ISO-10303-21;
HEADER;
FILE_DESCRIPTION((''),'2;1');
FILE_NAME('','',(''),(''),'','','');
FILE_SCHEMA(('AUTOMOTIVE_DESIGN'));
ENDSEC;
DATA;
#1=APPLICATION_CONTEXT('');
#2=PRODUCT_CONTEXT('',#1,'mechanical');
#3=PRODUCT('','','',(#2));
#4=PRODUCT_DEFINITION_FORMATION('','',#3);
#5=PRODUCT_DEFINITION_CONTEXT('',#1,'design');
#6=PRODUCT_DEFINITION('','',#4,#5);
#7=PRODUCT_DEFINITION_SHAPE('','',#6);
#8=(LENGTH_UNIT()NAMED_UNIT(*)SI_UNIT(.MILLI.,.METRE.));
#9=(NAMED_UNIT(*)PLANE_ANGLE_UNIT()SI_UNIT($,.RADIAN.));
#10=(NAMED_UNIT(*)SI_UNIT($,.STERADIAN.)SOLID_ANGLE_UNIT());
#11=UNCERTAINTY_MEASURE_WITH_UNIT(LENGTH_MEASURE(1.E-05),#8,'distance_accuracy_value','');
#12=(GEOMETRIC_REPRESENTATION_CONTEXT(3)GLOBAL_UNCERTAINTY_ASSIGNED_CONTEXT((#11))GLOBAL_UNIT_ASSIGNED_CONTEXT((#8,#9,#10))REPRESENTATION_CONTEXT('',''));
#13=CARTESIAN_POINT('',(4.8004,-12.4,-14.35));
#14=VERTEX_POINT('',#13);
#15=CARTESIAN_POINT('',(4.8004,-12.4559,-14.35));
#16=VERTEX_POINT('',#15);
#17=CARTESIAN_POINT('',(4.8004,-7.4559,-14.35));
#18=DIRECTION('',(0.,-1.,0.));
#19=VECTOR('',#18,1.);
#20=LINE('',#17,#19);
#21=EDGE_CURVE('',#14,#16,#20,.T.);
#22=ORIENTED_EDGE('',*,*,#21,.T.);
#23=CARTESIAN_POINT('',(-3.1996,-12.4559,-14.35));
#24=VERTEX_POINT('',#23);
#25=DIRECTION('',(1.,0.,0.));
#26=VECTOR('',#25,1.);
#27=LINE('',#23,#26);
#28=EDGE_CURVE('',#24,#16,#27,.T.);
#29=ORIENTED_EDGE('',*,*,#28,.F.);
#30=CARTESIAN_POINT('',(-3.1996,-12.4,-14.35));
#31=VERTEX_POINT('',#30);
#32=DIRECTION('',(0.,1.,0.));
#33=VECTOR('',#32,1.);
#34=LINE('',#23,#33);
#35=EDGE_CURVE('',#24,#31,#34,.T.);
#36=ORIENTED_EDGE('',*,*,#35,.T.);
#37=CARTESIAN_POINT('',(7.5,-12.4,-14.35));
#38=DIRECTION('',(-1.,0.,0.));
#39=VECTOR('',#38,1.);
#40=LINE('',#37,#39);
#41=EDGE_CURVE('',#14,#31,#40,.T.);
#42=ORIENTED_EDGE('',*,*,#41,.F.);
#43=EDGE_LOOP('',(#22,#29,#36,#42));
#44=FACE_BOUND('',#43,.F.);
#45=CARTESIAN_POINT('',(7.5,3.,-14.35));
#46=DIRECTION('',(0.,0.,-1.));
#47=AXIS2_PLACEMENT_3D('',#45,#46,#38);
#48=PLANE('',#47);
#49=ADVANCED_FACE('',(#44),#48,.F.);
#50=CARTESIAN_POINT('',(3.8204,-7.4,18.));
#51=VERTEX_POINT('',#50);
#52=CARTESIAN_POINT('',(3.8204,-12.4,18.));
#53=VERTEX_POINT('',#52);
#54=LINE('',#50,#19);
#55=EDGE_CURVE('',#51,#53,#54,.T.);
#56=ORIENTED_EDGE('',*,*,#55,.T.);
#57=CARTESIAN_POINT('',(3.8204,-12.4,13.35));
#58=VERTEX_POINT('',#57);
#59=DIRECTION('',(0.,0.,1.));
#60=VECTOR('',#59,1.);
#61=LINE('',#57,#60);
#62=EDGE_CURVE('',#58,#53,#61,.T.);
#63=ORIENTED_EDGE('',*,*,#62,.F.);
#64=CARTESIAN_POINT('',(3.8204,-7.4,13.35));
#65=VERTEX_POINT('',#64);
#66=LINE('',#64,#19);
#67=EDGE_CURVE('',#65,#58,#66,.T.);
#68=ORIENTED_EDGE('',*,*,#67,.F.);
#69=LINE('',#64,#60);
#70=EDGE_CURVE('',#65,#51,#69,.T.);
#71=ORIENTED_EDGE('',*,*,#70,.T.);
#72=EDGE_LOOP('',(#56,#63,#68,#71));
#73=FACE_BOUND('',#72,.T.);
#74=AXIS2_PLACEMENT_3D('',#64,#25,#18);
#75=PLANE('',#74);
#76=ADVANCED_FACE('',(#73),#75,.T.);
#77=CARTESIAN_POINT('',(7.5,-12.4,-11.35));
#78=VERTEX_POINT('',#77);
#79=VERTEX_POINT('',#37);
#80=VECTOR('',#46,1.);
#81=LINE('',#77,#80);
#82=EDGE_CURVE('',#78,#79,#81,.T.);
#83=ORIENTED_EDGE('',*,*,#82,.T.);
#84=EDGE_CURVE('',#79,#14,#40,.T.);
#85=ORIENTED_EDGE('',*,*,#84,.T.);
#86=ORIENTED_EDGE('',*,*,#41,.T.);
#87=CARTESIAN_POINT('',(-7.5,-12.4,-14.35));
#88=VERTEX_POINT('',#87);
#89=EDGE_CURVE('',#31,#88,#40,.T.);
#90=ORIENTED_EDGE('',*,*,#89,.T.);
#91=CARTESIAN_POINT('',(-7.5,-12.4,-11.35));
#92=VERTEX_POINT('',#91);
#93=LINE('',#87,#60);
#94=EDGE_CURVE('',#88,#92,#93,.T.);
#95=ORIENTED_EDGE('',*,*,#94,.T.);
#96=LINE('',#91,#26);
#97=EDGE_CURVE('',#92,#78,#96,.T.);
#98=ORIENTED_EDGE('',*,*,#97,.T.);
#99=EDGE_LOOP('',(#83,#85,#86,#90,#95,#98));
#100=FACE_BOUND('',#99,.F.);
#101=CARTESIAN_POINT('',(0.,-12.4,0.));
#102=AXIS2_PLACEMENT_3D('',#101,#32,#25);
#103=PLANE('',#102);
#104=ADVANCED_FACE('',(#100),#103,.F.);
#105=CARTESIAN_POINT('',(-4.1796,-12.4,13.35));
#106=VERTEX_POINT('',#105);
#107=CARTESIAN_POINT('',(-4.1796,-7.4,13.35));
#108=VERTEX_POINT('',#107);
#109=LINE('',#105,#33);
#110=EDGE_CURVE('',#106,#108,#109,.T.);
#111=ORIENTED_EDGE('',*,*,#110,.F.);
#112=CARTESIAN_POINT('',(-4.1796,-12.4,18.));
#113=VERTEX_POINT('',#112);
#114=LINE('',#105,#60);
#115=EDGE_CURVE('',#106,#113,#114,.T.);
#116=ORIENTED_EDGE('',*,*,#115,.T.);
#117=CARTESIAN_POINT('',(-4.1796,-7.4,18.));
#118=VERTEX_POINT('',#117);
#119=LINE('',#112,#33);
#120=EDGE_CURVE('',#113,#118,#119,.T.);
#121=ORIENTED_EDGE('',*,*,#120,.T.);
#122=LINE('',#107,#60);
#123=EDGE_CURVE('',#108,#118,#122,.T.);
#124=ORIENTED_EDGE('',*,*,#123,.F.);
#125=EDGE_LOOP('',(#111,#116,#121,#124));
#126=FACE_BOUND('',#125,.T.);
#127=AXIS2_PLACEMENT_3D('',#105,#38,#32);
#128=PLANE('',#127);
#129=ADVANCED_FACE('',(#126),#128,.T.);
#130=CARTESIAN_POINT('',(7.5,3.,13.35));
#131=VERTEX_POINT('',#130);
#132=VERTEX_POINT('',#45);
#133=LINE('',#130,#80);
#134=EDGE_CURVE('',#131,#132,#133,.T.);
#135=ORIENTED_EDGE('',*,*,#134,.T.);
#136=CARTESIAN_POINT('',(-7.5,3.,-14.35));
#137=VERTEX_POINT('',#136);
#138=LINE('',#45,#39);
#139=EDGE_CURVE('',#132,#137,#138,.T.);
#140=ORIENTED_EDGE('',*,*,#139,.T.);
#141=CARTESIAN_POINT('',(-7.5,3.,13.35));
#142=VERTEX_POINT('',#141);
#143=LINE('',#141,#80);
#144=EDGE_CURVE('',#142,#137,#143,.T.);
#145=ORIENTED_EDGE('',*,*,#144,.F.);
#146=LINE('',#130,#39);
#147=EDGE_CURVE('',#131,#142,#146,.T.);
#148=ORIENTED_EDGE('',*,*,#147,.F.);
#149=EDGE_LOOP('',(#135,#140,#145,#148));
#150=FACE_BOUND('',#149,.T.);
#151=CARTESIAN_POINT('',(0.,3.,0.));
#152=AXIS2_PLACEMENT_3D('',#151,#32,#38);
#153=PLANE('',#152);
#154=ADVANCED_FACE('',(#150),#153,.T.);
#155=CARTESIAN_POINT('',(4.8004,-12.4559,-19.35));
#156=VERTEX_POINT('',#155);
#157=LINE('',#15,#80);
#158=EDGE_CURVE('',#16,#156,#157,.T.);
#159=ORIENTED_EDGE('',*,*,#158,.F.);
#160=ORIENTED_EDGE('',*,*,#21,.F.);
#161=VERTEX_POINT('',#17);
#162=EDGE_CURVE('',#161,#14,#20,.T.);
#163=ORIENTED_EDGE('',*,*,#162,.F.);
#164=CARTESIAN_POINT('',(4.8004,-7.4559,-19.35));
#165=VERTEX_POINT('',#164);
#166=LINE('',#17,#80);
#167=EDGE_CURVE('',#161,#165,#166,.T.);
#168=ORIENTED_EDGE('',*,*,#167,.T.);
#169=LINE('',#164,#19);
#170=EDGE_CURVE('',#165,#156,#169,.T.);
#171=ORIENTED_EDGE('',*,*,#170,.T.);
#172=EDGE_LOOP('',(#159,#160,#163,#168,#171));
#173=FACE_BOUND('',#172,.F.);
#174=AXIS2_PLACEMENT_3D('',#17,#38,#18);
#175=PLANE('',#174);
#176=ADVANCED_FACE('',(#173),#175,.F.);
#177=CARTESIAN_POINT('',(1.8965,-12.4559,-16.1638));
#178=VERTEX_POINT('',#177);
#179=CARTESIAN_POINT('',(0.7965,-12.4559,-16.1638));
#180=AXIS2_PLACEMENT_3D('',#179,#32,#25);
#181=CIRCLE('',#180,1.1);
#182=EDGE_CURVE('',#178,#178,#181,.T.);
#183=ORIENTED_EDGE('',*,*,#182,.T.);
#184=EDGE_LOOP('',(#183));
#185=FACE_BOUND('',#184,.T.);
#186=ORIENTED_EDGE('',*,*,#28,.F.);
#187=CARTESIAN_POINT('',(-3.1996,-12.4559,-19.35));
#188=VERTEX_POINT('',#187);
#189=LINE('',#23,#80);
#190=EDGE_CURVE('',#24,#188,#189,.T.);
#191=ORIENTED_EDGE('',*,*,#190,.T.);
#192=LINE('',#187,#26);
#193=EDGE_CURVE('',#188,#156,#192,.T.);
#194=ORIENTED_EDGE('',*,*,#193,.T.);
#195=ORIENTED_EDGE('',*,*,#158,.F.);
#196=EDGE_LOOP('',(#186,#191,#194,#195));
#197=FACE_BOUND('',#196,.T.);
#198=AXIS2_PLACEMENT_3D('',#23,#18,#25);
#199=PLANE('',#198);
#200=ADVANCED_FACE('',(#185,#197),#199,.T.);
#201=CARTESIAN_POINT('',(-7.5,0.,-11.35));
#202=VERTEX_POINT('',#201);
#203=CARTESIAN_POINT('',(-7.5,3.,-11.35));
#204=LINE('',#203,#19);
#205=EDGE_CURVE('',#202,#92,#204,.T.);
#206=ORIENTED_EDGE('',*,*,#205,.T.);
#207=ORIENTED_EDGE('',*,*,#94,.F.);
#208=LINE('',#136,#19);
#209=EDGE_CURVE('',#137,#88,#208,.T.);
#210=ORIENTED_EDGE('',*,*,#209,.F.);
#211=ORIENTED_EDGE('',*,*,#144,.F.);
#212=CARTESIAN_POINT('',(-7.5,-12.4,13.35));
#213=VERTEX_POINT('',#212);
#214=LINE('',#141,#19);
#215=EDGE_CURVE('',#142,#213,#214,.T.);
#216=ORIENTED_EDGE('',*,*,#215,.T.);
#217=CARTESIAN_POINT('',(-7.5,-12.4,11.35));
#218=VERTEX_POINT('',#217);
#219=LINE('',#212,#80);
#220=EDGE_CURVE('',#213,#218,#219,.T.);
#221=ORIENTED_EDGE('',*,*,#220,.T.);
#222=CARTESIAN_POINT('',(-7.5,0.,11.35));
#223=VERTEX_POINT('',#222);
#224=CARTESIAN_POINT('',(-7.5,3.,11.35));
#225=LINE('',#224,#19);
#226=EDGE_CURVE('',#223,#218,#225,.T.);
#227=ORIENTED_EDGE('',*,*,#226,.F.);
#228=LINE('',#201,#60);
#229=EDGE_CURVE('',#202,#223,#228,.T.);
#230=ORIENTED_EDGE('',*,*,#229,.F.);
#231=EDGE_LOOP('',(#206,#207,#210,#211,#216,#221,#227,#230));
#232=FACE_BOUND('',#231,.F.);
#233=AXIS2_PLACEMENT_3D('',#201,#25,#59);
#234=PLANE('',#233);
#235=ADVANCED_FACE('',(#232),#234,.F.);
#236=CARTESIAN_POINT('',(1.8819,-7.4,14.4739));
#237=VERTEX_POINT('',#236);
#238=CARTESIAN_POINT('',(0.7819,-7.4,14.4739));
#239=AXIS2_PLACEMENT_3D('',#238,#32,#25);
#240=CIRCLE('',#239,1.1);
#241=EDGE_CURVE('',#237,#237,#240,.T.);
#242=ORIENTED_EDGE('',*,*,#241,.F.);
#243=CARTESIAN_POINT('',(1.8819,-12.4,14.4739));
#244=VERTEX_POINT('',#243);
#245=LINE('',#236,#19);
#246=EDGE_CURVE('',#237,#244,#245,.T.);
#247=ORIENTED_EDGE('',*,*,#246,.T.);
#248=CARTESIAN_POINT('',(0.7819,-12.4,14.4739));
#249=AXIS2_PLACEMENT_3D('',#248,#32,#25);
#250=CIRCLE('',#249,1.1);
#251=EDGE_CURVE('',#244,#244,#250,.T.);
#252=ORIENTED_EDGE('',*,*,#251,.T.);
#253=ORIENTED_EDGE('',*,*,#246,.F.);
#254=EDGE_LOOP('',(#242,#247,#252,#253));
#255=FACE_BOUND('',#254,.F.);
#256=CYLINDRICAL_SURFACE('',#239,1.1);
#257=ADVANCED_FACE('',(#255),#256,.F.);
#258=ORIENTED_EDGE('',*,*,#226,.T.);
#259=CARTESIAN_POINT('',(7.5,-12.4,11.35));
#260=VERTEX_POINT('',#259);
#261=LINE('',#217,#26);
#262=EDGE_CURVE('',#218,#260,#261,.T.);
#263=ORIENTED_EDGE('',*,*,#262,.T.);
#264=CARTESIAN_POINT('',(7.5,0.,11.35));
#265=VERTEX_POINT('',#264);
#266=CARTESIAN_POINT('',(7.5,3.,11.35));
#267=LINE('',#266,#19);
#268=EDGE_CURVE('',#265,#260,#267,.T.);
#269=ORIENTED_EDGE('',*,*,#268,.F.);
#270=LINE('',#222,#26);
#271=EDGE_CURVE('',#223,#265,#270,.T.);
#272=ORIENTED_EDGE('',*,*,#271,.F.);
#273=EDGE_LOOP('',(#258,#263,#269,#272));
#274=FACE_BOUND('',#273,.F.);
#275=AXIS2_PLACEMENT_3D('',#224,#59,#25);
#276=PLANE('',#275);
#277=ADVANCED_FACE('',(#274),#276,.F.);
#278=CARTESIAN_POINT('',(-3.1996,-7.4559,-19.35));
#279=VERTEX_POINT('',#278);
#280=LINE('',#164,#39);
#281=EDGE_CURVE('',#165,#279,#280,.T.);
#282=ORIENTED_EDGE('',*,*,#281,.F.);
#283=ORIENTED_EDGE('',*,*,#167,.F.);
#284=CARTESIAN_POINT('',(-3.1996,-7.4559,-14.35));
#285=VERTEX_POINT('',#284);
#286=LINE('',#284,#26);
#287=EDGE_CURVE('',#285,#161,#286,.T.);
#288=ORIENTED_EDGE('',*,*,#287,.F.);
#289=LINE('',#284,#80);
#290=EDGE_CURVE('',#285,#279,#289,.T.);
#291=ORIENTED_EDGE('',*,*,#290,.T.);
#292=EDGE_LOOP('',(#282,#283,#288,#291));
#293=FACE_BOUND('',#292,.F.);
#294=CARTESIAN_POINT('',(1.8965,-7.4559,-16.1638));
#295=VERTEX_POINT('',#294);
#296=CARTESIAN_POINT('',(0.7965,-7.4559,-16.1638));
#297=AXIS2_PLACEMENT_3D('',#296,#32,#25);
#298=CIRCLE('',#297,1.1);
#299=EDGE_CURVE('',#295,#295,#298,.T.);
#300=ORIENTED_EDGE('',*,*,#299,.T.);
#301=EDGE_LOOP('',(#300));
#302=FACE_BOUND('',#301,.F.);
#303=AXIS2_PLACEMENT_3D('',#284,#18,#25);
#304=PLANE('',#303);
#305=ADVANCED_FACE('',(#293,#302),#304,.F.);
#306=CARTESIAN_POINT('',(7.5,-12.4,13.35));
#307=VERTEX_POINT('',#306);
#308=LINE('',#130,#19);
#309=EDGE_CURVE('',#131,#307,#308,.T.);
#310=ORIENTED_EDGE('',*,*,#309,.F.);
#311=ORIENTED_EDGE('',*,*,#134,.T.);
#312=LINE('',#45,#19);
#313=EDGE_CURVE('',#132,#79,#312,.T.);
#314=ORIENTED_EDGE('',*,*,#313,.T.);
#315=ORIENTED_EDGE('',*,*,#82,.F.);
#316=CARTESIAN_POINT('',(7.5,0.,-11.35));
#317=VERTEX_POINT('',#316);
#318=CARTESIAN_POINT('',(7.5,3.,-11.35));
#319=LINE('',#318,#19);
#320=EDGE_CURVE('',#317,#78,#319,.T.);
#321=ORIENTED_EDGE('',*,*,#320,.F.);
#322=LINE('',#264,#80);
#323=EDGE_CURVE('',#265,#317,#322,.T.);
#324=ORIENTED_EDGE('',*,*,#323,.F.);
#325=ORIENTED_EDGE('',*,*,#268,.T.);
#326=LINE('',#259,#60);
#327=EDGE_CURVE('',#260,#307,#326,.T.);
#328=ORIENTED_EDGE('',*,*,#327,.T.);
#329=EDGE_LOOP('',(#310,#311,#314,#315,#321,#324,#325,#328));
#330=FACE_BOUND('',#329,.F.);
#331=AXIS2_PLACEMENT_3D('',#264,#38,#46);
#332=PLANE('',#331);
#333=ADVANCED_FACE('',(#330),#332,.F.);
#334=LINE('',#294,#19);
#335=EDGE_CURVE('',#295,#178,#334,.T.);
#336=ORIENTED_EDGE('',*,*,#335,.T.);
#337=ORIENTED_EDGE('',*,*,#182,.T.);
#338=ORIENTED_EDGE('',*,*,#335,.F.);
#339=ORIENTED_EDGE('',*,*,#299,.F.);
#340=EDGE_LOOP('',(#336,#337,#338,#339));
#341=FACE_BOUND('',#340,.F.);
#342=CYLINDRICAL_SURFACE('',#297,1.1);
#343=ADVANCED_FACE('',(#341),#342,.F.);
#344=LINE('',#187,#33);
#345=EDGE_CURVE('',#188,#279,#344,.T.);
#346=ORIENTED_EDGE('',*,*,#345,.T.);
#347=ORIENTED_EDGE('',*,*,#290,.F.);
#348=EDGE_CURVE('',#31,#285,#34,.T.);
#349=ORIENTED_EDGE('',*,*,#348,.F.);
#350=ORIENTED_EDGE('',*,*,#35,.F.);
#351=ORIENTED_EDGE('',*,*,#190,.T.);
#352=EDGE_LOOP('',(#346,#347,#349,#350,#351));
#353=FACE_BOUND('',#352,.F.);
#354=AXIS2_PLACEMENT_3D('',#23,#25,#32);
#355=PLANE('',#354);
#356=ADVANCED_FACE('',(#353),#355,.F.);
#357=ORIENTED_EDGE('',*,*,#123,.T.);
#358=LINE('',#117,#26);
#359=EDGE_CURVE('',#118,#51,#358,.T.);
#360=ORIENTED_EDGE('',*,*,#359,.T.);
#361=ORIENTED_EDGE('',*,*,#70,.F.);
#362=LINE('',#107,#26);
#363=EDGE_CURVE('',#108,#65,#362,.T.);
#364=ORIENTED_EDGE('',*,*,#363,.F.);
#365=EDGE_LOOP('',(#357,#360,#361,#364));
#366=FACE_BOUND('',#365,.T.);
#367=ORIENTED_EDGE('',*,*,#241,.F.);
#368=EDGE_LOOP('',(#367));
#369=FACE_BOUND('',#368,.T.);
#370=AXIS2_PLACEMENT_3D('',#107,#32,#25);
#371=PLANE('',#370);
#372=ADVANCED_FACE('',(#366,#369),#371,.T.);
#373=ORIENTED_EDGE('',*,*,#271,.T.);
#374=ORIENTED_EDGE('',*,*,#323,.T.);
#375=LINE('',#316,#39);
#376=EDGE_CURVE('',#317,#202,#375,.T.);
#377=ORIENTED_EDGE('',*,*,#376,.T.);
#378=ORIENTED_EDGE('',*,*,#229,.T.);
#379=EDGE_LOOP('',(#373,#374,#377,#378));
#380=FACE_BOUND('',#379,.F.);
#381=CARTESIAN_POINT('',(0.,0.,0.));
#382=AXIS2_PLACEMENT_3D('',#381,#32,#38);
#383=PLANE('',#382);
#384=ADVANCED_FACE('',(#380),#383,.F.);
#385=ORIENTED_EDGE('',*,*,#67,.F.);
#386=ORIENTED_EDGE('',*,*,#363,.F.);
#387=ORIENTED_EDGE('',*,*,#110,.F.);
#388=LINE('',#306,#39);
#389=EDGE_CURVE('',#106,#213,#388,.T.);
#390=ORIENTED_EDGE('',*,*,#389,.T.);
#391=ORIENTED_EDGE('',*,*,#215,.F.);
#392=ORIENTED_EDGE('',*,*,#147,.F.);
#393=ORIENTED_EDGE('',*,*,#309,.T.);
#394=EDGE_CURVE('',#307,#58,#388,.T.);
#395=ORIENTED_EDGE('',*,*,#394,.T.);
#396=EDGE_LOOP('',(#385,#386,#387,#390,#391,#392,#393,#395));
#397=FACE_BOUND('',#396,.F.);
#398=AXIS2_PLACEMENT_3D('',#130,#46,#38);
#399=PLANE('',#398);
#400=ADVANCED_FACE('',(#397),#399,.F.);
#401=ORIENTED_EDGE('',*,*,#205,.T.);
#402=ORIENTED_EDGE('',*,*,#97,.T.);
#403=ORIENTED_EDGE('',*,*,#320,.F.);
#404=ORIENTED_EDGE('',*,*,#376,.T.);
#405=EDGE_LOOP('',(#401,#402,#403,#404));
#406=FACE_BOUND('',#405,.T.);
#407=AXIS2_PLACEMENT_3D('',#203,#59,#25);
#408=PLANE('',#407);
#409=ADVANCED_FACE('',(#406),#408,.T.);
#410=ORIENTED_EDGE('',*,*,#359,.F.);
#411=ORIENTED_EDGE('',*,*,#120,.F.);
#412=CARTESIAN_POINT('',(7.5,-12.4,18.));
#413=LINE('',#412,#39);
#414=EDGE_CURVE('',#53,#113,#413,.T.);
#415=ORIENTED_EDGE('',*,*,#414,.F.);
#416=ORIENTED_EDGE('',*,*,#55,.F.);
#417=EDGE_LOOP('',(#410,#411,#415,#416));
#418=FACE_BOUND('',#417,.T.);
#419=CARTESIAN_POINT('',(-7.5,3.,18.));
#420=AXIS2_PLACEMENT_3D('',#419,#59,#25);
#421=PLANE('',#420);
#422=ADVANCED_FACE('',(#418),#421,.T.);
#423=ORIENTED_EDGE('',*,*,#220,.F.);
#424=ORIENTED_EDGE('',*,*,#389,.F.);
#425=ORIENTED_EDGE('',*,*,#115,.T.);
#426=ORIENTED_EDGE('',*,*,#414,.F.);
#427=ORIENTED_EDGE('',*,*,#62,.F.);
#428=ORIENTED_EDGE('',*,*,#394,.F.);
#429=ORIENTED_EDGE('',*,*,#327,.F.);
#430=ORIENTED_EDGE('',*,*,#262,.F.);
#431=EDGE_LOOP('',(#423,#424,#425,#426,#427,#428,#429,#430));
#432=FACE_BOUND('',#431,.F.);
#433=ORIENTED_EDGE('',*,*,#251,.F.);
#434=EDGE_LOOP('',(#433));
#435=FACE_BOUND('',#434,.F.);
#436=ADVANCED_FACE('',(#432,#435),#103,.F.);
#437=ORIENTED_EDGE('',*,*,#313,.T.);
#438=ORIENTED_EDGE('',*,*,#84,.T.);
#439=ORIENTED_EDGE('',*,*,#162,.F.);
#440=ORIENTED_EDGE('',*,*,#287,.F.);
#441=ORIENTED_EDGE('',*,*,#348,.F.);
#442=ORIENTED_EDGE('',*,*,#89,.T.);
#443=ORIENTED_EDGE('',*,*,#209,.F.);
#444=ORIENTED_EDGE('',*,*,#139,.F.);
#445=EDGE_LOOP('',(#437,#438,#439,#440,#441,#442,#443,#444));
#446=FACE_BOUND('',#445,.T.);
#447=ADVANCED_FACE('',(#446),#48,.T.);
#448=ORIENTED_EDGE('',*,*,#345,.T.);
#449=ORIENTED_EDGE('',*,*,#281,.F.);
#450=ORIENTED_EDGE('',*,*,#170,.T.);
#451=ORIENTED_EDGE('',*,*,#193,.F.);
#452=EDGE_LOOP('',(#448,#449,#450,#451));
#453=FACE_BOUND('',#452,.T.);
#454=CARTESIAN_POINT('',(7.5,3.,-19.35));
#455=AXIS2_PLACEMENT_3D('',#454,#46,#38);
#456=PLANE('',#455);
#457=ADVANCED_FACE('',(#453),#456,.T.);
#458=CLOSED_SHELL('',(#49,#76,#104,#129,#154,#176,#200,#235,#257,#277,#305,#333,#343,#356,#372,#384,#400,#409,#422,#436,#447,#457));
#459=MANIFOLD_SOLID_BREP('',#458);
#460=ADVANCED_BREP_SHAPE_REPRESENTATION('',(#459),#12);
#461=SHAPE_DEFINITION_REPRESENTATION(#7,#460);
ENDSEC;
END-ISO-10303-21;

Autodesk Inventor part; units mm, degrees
ref_plane "YZ Plane" through (0, 0, 0) normal (1, 0, 0) x (0, 1, 0)
ref_plane "XZ Plane" through (0, 0, 0) normal (0, 1, 0) x (-1, 0, 0)
ref_plane "XY Plane" through (0, 0, 0) normal (0, 0, 1) x (1, 0, 0)
sketch "Sketch1" plane through (0, 0, 0) normal (0, 1, 0) x (-1, 0, 0)
  line L0 (7.5, 11.35) -> (-7.5, 11.35)
  line L1 (-7.5, 11.35) -> (-7.5, -11.35)
  line L2 (-7.5, -11.35) -> (7.5, -11.35)
  line L3 (7.5, -11.35) -> (7.5, 11.35)
  line L4 (7.5, 11.35) -> (-7.5, -11.35) construction
  line L5 (-7.5, 11.35) -> (7.5, -11.35) construction
  point P0 (0, 0)
  dimension "d0" = 15
  dimension "d1" = 22.7
extrude "Extrusion1" add sketch "Sketch1" along normal blind 3
sketch "Sketch2" plane through (0, 3, 0) normal (0, 1, 0) x (1, 0, 0)
  line L0 (-7.5, 11.35) -> (-7.5, -11.35) projected
  line L1 (-7.5, -11.35) -> (7.5, -11.35)
  line L2 (7.5, -11.35) -> (7.5, -13.35)
  line L3 (7.5, -13.35) -> (-7.5, -13.35)
  line L4 (-7.5, -13.35) -> (-7.5, -11.35)
  line L5 (-7.5, 11.35) -> (7.5, 11.35)
  line L6 (7.5, 11.35) -> (7.5, 14.35)
  line L7 (7.5, 14.35) -> (-7.5, 14.35)
  line L8 (-7.5, 14.35) -> (-7.5, 11.35)
  point P0 (0, 0)
  dimension "d4" = 15
  dimension "d5" = 2
  dimension "d6" = 3
extrude "Extrusion2" add sketch "Sketch2" against normal blind 15.4
sketch "Sketch3" plane through (-7.5, 3, 13.35) normal (0, 0, 1) x (1, 0, 0)
  line L0 (3.3204, -10.4) -> (11.3204, -10.4)
  line L1 (11.3204, -10.4) -> (11.3204, -15.4)
  line L2 (3.3204, -15.4) -> (3.3204, -10.4)
  line L3 (15, -15.4) -> (0, -15.4) projected
  line L4 (3.3204, -10.4) -> (7.5, -15.4) construction
  line L5 (11.3204, -10.4) -> (7.5, -15.4) construction
  line L6 (3.3204, -15.4) -> (11.3204, -15.4)
  point P0 (7.5, -3)
  dimension "d9" = 8
  dimension "d10" = 5
extrude "Extrusion3" add sketch "Sketch3" along normal blind 4.65
sketch "Sketch4" plane through (-4.1796, -7.4, 13.35) normal (0, 1, 0) x (1, 0, 0)
  circle A0 centre (4.9615, -1.1239) radius 1.1
  point P0 (4.1796, 13.35)
  dimension "d13" = 2.2
extrude "Extrusion4" cut sketch "Sketch4" against normal blind 6.4
sketch "Sketch5" plane through (7.5, 3, -14.35) normal (0, 0, -1) x (-1, 0, 0)
  line L0 (10.6996, -10.4559) -> (2.6996, -10.4559)
  line L1 (2.6996, -10.4559) -> (2.6996, -15.4559)
  line L2 (10.6996, -15.4559) -> (10.6996, -10.4559)
  line L3 (7.8181, -10.4) -> (7.8181, -15.4) projected
  line L4 (10.6996, -10.4559) -> (7.8181, -15.4559) construction
  line L5 (2.6996, -10.4559) -> (7.8181, -15.4559) construction
  line L6 (10.6996, -15.4559) -> (2.6996, -15.4559)
  point P0 (7.5, -3)
  point P1 (6.6996, -15.4559)
  point P2 (6.6996, -10.4559)
  dimension "d16" = 8
  dimension "d18" = 5
extrude "Extrusion5" add sketch "Sketch5" along normal blind 5
sketch "Sketch6" plane through (-3.1996, -7.4559, -14.35) normal (0, 1, 0) x (1, 0, 0)
  circle A0 centre (3.9961, 1.8138) radius 1.1
  point P0 (3.1996, -14.35)
  dimension "d21" = 2.2
extrude "Extrusion6" cut sketch "Sketch6" against normal blind 5
properties part number "Sostiene motor_3DPrint"
